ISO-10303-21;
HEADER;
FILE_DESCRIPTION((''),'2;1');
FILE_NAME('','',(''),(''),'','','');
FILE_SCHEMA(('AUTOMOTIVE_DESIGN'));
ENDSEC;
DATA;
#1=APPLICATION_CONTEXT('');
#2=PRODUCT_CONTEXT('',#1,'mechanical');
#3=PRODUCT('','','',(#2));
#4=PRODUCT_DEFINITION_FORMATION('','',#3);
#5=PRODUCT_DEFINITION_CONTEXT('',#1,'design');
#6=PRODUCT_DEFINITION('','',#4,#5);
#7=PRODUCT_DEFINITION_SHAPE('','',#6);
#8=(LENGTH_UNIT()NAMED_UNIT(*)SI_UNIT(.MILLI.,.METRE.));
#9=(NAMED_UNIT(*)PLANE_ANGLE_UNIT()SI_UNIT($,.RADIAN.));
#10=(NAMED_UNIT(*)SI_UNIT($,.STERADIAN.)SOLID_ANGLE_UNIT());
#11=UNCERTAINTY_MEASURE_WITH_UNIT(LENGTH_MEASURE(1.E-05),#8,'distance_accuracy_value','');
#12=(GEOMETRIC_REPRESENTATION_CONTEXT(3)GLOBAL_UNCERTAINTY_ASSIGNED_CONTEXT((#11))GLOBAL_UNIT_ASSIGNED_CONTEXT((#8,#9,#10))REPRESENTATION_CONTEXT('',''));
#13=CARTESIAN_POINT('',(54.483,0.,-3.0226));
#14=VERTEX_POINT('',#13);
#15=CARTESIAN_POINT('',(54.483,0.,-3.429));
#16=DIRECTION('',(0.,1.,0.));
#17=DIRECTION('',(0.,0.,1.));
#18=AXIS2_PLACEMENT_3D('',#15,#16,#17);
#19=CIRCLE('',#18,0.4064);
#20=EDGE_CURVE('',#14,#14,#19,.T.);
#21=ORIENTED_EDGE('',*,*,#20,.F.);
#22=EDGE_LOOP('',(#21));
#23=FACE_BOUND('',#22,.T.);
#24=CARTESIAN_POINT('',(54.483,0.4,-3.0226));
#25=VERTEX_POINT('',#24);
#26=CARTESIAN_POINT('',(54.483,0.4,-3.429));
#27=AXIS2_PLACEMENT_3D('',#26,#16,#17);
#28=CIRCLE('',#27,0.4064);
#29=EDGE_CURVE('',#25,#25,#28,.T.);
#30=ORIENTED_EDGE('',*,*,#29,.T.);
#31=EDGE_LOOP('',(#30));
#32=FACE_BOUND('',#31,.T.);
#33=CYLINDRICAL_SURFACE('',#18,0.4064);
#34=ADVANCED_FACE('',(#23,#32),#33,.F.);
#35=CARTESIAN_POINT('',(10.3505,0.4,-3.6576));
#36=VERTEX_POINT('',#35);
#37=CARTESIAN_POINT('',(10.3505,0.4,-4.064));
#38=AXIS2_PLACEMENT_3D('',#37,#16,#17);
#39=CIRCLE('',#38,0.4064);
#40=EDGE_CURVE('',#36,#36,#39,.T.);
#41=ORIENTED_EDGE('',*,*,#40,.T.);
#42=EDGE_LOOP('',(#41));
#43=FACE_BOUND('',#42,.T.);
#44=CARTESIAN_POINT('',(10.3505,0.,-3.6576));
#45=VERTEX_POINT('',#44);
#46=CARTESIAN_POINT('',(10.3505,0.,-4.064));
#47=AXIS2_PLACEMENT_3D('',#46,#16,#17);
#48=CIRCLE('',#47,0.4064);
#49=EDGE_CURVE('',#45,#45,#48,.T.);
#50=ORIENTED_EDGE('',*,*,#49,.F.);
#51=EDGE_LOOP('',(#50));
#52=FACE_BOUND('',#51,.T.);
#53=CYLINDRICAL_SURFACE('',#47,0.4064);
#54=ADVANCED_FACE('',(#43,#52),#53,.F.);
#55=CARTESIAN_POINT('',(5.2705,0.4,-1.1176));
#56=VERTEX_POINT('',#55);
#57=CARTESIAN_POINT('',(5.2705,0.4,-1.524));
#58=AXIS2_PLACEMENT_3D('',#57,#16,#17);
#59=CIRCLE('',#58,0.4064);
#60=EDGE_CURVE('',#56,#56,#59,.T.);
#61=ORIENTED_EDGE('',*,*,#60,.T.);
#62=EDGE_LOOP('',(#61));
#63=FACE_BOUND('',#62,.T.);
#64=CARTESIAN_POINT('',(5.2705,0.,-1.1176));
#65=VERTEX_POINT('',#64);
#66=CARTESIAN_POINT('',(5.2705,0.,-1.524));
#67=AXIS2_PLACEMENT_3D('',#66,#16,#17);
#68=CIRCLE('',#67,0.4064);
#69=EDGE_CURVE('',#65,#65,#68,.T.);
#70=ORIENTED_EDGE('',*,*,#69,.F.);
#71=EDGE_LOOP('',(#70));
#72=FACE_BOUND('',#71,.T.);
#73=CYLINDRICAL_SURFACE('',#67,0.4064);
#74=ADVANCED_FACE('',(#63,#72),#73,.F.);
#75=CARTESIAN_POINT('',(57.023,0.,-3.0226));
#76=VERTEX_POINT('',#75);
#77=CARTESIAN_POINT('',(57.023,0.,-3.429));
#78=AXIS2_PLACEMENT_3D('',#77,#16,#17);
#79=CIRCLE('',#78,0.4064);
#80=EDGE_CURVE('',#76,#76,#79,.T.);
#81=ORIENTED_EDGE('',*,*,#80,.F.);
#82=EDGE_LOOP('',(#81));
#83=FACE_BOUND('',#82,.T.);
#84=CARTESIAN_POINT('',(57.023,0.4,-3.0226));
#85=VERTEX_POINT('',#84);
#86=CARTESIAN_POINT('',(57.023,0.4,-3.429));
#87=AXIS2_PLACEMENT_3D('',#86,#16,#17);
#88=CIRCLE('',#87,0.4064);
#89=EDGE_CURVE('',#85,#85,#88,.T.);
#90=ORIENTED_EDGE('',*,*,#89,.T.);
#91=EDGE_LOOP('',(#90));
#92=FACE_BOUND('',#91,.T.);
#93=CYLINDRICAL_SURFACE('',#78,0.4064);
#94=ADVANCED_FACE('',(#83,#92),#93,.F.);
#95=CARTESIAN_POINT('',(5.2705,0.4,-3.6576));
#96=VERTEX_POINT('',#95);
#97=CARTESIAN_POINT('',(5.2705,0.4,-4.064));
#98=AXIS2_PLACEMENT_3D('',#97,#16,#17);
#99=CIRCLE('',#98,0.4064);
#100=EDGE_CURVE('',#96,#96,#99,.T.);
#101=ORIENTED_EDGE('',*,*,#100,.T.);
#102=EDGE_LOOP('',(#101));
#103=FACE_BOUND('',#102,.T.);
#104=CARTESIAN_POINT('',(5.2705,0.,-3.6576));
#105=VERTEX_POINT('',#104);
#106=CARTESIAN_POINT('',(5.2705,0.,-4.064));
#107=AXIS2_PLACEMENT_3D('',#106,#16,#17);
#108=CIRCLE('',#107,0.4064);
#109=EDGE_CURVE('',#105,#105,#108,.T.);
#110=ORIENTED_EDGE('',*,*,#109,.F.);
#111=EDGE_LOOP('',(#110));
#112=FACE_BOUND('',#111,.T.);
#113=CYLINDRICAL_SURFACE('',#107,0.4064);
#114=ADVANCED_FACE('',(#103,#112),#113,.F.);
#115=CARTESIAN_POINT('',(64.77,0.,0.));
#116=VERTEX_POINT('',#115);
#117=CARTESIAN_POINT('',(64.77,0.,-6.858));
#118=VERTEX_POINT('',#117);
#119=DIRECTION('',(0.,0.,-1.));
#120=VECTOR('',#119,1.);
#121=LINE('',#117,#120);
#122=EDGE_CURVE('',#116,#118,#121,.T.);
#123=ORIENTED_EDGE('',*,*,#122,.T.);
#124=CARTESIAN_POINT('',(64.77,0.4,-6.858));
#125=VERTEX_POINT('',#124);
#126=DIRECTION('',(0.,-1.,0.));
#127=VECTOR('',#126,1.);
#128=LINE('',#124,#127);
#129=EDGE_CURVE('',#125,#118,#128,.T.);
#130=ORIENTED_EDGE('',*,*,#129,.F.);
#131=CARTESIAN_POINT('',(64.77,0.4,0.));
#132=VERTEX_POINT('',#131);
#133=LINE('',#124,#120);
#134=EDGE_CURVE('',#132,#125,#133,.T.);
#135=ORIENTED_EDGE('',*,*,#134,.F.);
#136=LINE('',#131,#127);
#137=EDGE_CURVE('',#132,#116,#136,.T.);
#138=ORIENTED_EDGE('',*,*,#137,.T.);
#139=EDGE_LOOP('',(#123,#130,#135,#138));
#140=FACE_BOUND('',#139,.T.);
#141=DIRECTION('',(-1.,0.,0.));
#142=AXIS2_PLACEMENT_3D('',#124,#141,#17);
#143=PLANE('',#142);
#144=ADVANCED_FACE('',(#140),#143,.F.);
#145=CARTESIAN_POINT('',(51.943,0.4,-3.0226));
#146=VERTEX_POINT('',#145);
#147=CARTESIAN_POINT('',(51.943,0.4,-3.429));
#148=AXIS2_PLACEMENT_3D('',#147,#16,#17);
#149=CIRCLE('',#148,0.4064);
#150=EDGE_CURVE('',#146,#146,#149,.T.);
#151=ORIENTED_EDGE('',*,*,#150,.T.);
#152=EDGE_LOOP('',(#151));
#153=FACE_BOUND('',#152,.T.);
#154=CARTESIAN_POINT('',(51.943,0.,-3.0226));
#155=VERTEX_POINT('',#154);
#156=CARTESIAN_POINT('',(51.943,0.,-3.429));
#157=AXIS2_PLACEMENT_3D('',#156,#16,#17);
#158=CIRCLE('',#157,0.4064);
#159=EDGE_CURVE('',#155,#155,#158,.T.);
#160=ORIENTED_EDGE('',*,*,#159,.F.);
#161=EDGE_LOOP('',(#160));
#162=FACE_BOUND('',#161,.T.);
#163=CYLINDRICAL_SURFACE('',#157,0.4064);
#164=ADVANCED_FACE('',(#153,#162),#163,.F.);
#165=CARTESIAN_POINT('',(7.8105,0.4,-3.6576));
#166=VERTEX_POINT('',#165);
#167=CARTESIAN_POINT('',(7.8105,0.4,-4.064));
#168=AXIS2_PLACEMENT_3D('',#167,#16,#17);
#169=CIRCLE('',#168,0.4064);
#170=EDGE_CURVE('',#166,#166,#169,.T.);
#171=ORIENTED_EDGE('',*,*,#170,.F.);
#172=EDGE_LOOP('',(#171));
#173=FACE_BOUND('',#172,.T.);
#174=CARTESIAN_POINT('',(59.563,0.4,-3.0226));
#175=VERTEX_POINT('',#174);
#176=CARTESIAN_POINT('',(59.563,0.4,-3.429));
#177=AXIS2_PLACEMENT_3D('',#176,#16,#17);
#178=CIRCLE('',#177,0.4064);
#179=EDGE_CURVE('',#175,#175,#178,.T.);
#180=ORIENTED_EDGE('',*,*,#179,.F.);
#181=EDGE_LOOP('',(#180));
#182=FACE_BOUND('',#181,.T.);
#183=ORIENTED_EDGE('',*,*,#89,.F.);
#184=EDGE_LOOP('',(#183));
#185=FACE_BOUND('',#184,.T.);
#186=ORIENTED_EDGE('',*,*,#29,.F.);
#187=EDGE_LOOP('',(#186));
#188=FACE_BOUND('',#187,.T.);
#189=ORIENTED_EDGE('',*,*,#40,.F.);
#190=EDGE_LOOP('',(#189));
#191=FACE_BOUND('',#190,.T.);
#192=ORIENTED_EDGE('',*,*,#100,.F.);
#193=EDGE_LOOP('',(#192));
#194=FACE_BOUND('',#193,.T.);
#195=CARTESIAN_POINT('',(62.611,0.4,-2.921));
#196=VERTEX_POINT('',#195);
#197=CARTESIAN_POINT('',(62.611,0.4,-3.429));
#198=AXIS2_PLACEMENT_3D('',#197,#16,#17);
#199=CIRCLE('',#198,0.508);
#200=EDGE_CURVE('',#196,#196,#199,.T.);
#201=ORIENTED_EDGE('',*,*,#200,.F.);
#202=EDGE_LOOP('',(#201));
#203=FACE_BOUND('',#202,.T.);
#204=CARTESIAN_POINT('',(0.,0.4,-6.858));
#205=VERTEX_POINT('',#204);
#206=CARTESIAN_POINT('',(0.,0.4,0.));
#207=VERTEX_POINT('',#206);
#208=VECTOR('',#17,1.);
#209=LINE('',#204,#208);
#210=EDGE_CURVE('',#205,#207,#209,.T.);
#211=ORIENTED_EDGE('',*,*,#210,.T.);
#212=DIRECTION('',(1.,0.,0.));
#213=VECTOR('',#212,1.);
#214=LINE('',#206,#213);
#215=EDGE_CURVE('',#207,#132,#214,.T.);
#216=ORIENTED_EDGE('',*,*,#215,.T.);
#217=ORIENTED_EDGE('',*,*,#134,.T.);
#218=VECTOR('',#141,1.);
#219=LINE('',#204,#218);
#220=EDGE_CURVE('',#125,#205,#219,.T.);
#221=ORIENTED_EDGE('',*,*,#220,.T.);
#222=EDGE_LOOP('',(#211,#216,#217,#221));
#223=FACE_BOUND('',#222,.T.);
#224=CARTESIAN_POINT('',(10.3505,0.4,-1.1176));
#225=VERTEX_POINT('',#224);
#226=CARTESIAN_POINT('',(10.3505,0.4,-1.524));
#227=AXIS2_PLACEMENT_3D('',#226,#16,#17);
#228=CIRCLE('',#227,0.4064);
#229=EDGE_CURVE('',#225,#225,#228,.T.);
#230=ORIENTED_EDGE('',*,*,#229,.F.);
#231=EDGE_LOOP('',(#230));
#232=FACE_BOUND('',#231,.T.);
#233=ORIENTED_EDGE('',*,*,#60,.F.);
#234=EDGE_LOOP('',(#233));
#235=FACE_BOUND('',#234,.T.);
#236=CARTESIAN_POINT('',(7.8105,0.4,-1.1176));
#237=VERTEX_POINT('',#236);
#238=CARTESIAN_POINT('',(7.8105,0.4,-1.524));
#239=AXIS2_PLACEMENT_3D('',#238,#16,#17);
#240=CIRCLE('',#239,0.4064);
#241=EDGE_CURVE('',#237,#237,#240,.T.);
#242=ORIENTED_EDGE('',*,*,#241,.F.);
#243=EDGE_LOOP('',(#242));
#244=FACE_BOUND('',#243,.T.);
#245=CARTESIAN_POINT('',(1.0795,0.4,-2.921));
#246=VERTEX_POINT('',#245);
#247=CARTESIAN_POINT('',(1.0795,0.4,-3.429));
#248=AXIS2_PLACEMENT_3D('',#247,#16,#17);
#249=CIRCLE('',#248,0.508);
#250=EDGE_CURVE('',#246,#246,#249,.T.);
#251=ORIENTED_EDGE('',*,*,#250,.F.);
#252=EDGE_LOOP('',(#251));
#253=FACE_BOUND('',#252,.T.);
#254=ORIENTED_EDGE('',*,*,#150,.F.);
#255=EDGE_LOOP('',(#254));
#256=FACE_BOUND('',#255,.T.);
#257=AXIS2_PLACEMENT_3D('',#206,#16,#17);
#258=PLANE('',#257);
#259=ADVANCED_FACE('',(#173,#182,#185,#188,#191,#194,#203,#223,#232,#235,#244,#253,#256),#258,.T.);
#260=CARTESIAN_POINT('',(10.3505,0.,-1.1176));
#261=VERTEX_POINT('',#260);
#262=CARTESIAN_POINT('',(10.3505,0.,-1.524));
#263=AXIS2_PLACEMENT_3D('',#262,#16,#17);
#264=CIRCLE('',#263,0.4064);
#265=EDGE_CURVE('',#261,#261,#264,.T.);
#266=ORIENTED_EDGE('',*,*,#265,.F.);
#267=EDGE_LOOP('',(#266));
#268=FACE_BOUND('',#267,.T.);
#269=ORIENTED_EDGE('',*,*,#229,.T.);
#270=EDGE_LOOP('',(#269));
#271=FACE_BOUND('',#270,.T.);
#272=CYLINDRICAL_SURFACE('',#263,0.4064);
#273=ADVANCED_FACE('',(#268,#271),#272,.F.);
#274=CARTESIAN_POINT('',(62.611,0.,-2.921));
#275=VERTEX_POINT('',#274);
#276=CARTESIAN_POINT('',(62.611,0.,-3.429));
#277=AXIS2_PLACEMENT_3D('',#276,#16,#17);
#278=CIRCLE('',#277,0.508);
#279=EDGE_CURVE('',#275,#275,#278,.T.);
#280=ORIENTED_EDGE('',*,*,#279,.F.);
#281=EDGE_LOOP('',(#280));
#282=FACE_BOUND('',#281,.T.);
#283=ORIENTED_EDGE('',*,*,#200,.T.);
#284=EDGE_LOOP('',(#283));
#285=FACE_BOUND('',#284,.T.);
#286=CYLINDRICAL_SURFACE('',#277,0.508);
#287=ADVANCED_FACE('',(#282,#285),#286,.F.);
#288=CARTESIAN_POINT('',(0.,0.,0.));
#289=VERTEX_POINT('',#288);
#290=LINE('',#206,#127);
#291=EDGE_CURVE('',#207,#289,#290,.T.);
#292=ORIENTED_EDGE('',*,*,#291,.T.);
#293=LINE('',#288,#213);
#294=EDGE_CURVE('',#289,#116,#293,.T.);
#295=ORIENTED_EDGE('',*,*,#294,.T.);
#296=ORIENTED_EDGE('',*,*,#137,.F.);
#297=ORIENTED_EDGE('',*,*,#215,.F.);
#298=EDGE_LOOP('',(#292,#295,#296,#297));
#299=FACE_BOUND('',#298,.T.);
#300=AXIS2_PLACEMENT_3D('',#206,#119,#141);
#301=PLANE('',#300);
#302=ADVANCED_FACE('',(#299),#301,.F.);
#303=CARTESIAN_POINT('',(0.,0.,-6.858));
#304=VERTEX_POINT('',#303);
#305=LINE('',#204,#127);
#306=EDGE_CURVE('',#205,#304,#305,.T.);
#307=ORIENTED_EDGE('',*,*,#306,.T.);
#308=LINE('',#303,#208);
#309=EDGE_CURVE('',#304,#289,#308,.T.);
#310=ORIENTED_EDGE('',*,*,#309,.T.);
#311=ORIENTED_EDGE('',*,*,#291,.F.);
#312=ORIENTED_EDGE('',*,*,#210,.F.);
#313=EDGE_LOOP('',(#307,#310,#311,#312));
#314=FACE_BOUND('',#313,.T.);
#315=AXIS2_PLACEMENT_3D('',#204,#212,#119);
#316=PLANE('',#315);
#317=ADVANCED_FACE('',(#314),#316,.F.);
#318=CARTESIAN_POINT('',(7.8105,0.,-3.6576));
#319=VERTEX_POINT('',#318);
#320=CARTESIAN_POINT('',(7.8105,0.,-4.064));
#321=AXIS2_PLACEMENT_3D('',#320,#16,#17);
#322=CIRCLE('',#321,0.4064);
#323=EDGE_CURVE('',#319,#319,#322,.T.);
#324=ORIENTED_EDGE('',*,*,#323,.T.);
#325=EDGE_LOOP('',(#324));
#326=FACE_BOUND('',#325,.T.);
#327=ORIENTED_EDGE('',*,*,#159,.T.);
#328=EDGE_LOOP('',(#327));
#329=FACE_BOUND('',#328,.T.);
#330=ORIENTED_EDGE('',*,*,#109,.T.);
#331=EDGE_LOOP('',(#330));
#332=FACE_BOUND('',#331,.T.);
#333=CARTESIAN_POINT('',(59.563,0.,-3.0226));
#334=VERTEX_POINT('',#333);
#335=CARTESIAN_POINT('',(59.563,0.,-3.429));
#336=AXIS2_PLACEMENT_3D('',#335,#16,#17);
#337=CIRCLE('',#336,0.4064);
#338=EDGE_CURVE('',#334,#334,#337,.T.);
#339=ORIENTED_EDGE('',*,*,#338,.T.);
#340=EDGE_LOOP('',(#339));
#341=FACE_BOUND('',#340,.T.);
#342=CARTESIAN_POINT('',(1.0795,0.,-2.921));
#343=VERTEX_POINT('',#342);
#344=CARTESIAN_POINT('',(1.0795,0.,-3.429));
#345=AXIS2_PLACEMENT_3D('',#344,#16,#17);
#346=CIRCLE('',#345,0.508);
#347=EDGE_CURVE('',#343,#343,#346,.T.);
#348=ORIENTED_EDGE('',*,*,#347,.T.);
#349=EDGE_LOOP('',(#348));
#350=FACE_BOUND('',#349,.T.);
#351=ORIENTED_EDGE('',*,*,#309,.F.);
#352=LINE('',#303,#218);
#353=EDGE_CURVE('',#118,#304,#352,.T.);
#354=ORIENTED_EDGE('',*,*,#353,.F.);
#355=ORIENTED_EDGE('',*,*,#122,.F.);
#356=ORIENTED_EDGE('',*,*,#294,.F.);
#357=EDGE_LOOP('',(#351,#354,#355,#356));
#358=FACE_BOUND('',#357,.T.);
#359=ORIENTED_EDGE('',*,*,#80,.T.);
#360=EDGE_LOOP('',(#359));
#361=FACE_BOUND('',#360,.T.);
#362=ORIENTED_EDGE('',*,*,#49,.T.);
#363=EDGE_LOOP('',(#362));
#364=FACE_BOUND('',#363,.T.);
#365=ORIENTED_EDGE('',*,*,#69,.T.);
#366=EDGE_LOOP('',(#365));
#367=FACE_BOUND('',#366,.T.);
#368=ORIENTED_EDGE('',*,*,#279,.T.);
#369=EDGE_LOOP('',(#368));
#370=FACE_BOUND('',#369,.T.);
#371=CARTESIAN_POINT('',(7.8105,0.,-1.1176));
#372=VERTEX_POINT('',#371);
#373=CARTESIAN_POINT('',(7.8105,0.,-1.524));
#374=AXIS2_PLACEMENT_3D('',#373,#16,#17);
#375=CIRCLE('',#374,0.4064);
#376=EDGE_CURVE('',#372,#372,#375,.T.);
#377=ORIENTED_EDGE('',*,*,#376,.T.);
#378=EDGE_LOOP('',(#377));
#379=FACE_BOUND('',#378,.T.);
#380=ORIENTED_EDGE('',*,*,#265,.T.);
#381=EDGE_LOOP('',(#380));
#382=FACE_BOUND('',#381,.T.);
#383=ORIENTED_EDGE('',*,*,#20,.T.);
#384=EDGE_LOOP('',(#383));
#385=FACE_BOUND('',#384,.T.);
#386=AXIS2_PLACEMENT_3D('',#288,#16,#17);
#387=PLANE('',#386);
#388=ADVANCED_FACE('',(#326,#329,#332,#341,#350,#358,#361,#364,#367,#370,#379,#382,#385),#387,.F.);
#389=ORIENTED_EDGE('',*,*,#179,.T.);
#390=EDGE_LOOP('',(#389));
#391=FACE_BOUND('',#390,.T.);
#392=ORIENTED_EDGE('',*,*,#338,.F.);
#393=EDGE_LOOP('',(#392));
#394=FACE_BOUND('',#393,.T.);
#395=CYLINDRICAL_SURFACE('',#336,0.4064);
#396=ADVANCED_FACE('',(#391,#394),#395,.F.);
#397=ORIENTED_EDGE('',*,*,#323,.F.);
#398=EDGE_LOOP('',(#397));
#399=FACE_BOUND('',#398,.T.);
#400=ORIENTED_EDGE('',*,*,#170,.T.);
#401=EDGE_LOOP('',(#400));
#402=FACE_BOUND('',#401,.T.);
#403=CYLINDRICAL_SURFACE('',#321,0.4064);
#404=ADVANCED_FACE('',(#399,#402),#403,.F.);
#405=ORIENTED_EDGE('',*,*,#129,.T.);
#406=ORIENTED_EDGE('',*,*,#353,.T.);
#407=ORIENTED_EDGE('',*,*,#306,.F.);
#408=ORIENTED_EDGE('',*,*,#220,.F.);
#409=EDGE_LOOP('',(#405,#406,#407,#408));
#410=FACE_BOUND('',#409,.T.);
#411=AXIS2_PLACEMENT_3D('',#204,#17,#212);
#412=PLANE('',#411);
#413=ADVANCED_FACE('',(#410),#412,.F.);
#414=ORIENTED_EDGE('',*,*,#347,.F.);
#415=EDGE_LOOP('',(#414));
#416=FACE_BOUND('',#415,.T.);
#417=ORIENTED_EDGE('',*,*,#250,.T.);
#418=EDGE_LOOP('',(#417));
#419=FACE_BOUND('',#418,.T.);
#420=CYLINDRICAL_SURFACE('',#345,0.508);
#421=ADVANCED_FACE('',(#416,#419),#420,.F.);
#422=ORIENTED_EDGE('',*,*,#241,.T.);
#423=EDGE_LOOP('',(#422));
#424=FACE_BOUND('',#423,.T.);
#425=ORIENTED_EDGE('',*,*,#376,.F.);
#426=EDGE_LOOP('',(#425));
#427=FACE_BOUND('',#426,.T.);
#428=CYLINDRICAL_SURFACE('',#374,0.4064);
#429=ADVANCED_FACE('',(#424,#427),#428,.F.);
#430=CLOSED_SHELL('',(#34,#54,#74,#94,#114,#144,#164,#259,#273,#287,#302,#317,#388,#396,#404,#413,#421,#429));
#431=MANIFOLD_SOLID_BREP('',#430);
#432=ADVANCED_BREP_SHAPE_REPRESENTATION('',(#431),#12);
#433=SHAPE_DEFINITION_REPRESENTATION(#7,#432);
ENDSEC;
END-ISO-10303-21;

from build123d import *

# Parameters (mm, degrees)
SKETCH1_W           = 64.77
SKETCH1_H           = 6.858
BOSS_EXTRUDE1_DEPTH = 0.4
SKETCH2_R           = 0.4064
SKETCH2_R_2         = 0.508
CUT_EXTRUDE1_DEPTH  = 66.133286912


with BuildPart() as part:
    # Sketch1 → Boss-Extrude1 (new body)
    with BuildSketch(Plane(origin=(0, 0, 0), x_dir=(1, 0, 0), z_dir=(0, 1, 0))):
        with Locations((32.385, 3.429)):
            Rectangle(SKETCH1_W, SKETCH1_H)
    extrude(amount=BOSS_EXTRUDE1_DEPTH)

    # Sketch2 → Cut-Extrude1 (cut, through all)
    with BuildSketch(Plane(origin=(0, 0.4, 0), x_dir=(1, 0, 0), z_dir=(0, 1, 0))):
        with Locations(Location((51.943, 3.429, 0), (0, 0, 270))):
            Circle(SKETCH2_R)
        with Locations(Location((54.483, 3.429, 0), (0, 0, 270))):
            Circle(SKETCH2_R)
        with Locations(Location((57.023, 3.429, 0), (0, 0, 270))):
            Circle(SKETCH2_R)
        with Locations(Location((59.563, 3.429, 0), (0, 0, 270))):
            Circle(SKETCH2_R)
        with Locations(Location((62.611, 3.429, 0), (0, 0, 270))):
            Circle(SKETCH2_R_2)
        with Locations(Location((10.3505, 4.064, 0), (0, 0, 270))):
            Circle(SKETCH2_R)
        with Locations(Location((7.8105, 4.064, 0), (0, 0, 270))):
            Circle(SKETCH2_R)
        with Locations(Location((5.2705, 4.064, 0), (0, 0, 270))):
            Circle(SKETCH2_R)
        with Locations(Location((7.8105, 1.524, 0), (0, 0, 270))):
            Circle(SKETCH2_R)
        with Locations(Location((5.2705, 1.524, 0), (0, 0, 270))):
            Circle(SKETCH2_R)
        with Locations(Location((10.3505, 1.524, 0), (0, 0, 270))):
            Circle(SKETCH2_R)
        with Locations(Location((1.0795, 3.429, 0), (0, 0, 270))):
            Circle(SKETCH2_R_2)
    extrude(amount=-CUT_EXTRUDE1_DEPTH, mode=Mode.SUBTRACT)


solid = part.part
